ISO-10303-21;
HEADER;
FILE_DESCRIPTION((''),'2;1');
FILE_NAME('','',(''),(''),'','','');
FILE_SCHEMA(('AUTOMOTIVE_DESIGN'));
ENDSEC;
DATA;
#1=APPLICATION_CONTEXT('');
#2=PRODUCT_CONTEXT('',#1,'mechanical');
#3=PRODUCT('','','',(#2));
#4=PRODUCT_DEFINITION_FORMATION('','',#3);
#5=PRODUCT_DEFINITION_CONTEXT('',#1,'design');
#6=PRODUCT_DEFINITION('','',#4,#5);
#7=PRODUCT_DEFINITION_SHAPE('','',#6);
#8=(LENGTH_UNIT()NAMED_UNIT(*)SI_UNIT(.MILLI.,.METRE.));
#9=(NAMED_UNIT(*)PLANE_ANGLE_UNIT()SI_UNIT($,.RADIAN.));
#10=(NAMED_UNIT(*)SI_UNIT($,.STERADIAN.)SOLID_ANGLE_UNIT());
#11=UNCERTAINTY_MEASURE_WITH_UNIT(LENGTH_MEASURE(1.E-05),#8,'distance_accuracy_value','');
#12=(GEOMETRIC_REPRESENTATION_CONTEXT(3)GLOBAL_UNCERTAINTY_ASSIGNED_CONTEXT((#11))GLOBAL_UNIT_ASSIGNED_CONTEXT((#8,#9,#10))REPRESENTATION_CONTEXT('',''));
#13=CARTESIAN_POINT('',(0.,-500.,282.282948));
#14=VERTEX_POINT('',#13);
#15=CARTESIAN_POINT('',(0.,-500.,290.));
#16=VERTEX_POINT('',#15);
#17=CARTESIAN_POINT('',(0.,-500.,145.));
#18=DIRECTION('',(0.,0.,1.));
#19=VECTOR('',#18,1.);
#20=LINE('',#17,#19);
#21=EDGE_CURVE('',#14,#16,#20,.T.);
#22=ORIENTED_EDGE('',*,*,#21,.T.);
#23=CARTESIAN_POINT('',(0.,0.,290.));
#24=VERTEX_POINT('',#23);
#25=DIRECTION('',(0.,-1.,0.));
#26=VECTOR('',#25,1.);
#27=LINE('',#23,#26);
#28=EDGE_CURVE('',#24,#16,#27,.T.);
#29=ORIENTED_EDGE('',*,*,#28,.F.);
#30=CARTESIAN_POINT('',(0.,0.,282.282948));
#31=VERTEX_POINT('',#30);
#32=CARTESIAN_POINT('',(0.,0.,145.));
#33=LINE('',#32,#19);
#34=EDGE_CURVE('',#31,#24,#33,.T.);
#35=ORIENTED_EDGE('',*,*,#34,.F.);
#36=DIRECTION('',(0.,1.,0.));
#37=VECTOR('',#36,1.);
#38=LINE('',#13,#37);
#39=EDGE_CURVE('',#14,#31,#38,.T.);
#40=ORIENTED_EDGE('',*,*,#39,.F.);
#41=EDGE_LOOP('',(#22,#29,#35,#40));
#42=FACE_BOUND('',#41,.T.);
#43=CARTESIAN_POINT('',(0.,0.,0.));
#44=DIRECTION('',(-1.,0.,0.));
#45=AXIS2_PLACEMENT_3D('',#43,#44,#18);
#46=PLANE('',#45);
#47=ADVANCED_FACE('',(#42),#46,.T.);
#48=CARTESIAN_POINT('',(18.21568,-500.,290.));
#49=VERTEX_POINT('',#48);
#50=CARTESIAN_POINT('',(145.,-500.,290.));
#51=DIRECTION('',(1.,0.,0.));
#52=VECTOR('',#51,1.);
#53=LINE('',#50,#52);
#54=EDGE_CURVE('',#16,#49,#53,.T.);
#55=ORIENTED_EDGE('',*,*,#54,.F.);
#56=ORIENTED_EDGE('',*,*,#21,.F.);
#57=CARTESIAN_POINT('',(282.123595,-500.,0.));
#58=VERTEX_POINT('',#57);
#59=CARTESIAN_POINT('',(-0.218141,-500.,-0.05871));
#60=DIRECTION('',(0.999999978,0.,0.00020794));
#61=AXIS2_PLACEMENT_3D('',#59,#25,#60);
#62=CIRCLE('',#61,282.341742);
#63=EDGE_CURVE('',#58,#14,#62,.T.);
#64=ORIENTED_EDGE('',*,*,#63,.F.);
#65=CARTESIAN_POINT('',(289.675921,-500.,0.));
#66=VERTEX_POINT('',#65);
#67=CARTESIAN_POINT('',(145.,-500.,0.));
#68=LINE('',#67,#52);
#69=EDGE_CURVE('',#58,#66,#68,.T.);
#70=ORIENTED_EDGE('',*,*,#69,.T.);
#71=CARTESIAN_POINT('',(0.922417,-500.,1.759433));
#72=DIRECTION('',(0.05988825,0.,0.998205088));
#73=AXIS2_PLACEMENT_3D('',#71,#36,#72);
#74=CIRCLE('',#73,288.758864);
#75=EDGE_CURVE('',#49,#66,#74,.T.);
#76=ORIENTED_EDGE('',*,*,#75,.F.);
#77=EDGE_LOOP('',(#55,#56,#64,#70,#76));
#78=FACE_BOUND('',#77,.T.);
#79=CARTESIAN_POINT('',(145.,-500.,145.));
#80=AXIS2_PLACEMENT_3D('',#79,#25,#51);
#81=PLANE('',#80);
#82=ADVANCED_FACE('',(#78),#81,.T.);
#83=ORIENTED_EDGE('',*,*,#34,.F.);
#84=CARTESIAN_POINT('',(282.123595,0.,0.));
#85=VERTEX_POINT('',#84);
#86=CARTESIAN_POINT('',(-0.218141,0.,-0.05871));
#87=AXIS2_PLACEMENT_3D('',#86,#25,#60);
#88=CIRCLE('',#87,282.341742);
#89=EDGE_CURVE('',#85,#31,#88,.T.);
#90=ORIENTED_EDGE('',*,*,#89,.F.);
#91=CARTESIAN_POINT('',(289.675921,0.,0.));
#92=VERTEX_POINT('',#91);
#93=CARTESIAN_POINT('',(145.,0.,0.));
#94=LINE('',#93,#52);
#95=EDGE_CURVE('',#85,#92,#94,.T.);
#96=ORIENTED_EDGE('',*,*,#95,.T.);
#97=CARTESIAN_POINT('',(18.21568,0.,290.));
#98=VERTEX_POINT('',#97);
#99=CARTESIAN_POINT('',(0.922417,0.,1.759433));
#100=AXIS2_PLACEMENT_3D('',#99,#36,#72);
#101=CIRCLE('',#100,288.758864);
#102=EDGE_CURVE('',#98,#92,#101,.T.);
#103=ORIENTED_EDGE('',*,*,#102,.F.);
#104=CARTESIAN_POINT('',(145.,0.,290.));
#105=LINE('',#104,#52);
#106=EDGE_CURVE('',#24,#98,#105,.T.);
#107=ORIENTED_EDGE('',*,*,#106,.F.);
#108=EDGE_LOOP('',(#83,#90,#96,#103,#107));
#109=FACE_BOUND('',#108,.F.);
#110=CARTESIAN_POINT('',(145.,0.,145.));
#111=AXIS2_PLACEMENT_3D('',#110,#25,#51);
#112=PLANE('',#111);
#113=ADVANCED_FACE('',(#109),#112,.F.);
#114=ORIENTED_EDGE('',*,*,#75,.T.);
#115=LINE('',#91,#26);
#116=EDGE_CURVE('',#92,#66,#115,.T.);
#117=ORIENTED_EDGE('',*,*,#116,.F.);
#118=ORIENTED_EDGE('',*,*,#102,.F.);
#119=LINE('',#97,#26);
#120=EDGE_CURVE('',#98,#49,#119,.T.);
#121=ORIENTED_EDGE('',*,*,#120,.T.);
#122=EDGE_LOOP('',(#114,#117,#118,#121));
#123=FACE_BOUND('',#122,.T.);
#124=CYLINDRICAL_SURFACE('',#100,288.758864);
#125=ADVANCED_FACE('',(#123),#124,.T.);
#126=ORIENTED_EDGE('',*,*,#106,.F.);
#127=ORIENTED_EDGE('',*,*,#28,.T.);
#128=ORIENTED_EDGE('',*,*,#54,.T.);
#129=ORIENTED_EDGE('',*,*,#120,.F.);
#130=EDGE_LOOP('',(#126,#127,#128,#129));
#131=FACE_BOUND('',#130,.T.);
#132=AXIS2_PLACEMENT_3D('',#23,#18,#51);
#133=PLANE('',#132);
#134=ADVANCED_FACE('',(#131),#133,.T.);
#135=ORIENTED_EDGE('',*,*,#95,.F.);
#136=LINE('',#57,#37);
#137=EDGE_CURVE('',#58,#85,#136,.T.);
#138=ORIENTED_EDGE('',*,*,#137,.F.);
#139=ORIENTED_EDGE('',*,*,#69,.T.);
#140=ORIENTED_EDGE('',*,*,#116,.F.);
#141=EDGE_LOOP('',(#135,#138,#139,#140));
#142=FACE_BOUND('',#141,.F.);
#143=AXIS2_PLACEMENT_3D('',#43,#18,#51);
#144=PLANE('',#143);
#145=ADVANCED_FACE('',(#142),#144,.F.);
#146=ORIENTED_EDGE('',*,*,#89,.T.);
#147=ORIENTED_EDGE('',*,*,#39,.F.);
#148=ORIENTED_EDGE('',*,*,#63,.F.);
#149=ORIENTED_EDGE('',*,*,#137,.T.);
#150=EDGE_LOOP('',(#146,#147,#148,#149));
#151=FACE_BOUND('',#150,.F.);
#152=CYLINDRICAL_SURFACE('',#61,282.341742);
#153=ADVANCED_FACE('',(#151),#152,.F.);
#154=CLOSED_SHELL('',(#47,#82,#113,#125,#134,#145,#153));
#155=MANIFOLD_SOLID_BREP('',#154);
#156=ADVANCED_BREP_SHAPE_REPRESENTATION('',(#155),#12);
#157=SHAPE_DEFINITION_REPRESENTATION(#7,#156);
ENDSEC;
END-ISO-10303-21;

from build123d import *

# Parameters (mm, degrees)
F0_W     = 290
F0_H     = 290
F1_DEPTH = 500
F3_DEPTH = 795
F5_DEPTH = 770


with BuildPart() as f1:
    # F0 (on Front) → F1 (new body)
    with BuildSketch(Plane.XZ):
        with Locations((145, 145)):
            Rectangle(F0_W, F0_H)
    extrude(amount=F1_DEPTH)

    # F2 (on face) → F3 (cut)
    with BuildSketch(Plane.XZ):
        with BuildLine():
            ThreePointArc((18.21568, 290), (211.733128, 199.092972), (289.675921, 0))
            Line((289.675921, 0), (290, 0))
            Line((290, 0), (290, 290))
            Line((290, 290), (18.21568, 290))
        make_face()
    extrude(amount=F3_DEPTH, mode=Mode.SUBTRACT)

    # F4 (on face) → F5 (cut)
    with BuildSketch(Plane.XZ.offset(500)):
        with BuildLine():
            Line((0, 0), (282.123595, 0))
            ThreePointArc((282.123595, 0), (199.483979, 199.530675), (0, 282.282948))
            Line((0, 282.282948), (0, 0))
        make_face()
    extrude(amount=-F5_DEPTH, mode=Mode.SUBTRACT)


solid = f1.part
